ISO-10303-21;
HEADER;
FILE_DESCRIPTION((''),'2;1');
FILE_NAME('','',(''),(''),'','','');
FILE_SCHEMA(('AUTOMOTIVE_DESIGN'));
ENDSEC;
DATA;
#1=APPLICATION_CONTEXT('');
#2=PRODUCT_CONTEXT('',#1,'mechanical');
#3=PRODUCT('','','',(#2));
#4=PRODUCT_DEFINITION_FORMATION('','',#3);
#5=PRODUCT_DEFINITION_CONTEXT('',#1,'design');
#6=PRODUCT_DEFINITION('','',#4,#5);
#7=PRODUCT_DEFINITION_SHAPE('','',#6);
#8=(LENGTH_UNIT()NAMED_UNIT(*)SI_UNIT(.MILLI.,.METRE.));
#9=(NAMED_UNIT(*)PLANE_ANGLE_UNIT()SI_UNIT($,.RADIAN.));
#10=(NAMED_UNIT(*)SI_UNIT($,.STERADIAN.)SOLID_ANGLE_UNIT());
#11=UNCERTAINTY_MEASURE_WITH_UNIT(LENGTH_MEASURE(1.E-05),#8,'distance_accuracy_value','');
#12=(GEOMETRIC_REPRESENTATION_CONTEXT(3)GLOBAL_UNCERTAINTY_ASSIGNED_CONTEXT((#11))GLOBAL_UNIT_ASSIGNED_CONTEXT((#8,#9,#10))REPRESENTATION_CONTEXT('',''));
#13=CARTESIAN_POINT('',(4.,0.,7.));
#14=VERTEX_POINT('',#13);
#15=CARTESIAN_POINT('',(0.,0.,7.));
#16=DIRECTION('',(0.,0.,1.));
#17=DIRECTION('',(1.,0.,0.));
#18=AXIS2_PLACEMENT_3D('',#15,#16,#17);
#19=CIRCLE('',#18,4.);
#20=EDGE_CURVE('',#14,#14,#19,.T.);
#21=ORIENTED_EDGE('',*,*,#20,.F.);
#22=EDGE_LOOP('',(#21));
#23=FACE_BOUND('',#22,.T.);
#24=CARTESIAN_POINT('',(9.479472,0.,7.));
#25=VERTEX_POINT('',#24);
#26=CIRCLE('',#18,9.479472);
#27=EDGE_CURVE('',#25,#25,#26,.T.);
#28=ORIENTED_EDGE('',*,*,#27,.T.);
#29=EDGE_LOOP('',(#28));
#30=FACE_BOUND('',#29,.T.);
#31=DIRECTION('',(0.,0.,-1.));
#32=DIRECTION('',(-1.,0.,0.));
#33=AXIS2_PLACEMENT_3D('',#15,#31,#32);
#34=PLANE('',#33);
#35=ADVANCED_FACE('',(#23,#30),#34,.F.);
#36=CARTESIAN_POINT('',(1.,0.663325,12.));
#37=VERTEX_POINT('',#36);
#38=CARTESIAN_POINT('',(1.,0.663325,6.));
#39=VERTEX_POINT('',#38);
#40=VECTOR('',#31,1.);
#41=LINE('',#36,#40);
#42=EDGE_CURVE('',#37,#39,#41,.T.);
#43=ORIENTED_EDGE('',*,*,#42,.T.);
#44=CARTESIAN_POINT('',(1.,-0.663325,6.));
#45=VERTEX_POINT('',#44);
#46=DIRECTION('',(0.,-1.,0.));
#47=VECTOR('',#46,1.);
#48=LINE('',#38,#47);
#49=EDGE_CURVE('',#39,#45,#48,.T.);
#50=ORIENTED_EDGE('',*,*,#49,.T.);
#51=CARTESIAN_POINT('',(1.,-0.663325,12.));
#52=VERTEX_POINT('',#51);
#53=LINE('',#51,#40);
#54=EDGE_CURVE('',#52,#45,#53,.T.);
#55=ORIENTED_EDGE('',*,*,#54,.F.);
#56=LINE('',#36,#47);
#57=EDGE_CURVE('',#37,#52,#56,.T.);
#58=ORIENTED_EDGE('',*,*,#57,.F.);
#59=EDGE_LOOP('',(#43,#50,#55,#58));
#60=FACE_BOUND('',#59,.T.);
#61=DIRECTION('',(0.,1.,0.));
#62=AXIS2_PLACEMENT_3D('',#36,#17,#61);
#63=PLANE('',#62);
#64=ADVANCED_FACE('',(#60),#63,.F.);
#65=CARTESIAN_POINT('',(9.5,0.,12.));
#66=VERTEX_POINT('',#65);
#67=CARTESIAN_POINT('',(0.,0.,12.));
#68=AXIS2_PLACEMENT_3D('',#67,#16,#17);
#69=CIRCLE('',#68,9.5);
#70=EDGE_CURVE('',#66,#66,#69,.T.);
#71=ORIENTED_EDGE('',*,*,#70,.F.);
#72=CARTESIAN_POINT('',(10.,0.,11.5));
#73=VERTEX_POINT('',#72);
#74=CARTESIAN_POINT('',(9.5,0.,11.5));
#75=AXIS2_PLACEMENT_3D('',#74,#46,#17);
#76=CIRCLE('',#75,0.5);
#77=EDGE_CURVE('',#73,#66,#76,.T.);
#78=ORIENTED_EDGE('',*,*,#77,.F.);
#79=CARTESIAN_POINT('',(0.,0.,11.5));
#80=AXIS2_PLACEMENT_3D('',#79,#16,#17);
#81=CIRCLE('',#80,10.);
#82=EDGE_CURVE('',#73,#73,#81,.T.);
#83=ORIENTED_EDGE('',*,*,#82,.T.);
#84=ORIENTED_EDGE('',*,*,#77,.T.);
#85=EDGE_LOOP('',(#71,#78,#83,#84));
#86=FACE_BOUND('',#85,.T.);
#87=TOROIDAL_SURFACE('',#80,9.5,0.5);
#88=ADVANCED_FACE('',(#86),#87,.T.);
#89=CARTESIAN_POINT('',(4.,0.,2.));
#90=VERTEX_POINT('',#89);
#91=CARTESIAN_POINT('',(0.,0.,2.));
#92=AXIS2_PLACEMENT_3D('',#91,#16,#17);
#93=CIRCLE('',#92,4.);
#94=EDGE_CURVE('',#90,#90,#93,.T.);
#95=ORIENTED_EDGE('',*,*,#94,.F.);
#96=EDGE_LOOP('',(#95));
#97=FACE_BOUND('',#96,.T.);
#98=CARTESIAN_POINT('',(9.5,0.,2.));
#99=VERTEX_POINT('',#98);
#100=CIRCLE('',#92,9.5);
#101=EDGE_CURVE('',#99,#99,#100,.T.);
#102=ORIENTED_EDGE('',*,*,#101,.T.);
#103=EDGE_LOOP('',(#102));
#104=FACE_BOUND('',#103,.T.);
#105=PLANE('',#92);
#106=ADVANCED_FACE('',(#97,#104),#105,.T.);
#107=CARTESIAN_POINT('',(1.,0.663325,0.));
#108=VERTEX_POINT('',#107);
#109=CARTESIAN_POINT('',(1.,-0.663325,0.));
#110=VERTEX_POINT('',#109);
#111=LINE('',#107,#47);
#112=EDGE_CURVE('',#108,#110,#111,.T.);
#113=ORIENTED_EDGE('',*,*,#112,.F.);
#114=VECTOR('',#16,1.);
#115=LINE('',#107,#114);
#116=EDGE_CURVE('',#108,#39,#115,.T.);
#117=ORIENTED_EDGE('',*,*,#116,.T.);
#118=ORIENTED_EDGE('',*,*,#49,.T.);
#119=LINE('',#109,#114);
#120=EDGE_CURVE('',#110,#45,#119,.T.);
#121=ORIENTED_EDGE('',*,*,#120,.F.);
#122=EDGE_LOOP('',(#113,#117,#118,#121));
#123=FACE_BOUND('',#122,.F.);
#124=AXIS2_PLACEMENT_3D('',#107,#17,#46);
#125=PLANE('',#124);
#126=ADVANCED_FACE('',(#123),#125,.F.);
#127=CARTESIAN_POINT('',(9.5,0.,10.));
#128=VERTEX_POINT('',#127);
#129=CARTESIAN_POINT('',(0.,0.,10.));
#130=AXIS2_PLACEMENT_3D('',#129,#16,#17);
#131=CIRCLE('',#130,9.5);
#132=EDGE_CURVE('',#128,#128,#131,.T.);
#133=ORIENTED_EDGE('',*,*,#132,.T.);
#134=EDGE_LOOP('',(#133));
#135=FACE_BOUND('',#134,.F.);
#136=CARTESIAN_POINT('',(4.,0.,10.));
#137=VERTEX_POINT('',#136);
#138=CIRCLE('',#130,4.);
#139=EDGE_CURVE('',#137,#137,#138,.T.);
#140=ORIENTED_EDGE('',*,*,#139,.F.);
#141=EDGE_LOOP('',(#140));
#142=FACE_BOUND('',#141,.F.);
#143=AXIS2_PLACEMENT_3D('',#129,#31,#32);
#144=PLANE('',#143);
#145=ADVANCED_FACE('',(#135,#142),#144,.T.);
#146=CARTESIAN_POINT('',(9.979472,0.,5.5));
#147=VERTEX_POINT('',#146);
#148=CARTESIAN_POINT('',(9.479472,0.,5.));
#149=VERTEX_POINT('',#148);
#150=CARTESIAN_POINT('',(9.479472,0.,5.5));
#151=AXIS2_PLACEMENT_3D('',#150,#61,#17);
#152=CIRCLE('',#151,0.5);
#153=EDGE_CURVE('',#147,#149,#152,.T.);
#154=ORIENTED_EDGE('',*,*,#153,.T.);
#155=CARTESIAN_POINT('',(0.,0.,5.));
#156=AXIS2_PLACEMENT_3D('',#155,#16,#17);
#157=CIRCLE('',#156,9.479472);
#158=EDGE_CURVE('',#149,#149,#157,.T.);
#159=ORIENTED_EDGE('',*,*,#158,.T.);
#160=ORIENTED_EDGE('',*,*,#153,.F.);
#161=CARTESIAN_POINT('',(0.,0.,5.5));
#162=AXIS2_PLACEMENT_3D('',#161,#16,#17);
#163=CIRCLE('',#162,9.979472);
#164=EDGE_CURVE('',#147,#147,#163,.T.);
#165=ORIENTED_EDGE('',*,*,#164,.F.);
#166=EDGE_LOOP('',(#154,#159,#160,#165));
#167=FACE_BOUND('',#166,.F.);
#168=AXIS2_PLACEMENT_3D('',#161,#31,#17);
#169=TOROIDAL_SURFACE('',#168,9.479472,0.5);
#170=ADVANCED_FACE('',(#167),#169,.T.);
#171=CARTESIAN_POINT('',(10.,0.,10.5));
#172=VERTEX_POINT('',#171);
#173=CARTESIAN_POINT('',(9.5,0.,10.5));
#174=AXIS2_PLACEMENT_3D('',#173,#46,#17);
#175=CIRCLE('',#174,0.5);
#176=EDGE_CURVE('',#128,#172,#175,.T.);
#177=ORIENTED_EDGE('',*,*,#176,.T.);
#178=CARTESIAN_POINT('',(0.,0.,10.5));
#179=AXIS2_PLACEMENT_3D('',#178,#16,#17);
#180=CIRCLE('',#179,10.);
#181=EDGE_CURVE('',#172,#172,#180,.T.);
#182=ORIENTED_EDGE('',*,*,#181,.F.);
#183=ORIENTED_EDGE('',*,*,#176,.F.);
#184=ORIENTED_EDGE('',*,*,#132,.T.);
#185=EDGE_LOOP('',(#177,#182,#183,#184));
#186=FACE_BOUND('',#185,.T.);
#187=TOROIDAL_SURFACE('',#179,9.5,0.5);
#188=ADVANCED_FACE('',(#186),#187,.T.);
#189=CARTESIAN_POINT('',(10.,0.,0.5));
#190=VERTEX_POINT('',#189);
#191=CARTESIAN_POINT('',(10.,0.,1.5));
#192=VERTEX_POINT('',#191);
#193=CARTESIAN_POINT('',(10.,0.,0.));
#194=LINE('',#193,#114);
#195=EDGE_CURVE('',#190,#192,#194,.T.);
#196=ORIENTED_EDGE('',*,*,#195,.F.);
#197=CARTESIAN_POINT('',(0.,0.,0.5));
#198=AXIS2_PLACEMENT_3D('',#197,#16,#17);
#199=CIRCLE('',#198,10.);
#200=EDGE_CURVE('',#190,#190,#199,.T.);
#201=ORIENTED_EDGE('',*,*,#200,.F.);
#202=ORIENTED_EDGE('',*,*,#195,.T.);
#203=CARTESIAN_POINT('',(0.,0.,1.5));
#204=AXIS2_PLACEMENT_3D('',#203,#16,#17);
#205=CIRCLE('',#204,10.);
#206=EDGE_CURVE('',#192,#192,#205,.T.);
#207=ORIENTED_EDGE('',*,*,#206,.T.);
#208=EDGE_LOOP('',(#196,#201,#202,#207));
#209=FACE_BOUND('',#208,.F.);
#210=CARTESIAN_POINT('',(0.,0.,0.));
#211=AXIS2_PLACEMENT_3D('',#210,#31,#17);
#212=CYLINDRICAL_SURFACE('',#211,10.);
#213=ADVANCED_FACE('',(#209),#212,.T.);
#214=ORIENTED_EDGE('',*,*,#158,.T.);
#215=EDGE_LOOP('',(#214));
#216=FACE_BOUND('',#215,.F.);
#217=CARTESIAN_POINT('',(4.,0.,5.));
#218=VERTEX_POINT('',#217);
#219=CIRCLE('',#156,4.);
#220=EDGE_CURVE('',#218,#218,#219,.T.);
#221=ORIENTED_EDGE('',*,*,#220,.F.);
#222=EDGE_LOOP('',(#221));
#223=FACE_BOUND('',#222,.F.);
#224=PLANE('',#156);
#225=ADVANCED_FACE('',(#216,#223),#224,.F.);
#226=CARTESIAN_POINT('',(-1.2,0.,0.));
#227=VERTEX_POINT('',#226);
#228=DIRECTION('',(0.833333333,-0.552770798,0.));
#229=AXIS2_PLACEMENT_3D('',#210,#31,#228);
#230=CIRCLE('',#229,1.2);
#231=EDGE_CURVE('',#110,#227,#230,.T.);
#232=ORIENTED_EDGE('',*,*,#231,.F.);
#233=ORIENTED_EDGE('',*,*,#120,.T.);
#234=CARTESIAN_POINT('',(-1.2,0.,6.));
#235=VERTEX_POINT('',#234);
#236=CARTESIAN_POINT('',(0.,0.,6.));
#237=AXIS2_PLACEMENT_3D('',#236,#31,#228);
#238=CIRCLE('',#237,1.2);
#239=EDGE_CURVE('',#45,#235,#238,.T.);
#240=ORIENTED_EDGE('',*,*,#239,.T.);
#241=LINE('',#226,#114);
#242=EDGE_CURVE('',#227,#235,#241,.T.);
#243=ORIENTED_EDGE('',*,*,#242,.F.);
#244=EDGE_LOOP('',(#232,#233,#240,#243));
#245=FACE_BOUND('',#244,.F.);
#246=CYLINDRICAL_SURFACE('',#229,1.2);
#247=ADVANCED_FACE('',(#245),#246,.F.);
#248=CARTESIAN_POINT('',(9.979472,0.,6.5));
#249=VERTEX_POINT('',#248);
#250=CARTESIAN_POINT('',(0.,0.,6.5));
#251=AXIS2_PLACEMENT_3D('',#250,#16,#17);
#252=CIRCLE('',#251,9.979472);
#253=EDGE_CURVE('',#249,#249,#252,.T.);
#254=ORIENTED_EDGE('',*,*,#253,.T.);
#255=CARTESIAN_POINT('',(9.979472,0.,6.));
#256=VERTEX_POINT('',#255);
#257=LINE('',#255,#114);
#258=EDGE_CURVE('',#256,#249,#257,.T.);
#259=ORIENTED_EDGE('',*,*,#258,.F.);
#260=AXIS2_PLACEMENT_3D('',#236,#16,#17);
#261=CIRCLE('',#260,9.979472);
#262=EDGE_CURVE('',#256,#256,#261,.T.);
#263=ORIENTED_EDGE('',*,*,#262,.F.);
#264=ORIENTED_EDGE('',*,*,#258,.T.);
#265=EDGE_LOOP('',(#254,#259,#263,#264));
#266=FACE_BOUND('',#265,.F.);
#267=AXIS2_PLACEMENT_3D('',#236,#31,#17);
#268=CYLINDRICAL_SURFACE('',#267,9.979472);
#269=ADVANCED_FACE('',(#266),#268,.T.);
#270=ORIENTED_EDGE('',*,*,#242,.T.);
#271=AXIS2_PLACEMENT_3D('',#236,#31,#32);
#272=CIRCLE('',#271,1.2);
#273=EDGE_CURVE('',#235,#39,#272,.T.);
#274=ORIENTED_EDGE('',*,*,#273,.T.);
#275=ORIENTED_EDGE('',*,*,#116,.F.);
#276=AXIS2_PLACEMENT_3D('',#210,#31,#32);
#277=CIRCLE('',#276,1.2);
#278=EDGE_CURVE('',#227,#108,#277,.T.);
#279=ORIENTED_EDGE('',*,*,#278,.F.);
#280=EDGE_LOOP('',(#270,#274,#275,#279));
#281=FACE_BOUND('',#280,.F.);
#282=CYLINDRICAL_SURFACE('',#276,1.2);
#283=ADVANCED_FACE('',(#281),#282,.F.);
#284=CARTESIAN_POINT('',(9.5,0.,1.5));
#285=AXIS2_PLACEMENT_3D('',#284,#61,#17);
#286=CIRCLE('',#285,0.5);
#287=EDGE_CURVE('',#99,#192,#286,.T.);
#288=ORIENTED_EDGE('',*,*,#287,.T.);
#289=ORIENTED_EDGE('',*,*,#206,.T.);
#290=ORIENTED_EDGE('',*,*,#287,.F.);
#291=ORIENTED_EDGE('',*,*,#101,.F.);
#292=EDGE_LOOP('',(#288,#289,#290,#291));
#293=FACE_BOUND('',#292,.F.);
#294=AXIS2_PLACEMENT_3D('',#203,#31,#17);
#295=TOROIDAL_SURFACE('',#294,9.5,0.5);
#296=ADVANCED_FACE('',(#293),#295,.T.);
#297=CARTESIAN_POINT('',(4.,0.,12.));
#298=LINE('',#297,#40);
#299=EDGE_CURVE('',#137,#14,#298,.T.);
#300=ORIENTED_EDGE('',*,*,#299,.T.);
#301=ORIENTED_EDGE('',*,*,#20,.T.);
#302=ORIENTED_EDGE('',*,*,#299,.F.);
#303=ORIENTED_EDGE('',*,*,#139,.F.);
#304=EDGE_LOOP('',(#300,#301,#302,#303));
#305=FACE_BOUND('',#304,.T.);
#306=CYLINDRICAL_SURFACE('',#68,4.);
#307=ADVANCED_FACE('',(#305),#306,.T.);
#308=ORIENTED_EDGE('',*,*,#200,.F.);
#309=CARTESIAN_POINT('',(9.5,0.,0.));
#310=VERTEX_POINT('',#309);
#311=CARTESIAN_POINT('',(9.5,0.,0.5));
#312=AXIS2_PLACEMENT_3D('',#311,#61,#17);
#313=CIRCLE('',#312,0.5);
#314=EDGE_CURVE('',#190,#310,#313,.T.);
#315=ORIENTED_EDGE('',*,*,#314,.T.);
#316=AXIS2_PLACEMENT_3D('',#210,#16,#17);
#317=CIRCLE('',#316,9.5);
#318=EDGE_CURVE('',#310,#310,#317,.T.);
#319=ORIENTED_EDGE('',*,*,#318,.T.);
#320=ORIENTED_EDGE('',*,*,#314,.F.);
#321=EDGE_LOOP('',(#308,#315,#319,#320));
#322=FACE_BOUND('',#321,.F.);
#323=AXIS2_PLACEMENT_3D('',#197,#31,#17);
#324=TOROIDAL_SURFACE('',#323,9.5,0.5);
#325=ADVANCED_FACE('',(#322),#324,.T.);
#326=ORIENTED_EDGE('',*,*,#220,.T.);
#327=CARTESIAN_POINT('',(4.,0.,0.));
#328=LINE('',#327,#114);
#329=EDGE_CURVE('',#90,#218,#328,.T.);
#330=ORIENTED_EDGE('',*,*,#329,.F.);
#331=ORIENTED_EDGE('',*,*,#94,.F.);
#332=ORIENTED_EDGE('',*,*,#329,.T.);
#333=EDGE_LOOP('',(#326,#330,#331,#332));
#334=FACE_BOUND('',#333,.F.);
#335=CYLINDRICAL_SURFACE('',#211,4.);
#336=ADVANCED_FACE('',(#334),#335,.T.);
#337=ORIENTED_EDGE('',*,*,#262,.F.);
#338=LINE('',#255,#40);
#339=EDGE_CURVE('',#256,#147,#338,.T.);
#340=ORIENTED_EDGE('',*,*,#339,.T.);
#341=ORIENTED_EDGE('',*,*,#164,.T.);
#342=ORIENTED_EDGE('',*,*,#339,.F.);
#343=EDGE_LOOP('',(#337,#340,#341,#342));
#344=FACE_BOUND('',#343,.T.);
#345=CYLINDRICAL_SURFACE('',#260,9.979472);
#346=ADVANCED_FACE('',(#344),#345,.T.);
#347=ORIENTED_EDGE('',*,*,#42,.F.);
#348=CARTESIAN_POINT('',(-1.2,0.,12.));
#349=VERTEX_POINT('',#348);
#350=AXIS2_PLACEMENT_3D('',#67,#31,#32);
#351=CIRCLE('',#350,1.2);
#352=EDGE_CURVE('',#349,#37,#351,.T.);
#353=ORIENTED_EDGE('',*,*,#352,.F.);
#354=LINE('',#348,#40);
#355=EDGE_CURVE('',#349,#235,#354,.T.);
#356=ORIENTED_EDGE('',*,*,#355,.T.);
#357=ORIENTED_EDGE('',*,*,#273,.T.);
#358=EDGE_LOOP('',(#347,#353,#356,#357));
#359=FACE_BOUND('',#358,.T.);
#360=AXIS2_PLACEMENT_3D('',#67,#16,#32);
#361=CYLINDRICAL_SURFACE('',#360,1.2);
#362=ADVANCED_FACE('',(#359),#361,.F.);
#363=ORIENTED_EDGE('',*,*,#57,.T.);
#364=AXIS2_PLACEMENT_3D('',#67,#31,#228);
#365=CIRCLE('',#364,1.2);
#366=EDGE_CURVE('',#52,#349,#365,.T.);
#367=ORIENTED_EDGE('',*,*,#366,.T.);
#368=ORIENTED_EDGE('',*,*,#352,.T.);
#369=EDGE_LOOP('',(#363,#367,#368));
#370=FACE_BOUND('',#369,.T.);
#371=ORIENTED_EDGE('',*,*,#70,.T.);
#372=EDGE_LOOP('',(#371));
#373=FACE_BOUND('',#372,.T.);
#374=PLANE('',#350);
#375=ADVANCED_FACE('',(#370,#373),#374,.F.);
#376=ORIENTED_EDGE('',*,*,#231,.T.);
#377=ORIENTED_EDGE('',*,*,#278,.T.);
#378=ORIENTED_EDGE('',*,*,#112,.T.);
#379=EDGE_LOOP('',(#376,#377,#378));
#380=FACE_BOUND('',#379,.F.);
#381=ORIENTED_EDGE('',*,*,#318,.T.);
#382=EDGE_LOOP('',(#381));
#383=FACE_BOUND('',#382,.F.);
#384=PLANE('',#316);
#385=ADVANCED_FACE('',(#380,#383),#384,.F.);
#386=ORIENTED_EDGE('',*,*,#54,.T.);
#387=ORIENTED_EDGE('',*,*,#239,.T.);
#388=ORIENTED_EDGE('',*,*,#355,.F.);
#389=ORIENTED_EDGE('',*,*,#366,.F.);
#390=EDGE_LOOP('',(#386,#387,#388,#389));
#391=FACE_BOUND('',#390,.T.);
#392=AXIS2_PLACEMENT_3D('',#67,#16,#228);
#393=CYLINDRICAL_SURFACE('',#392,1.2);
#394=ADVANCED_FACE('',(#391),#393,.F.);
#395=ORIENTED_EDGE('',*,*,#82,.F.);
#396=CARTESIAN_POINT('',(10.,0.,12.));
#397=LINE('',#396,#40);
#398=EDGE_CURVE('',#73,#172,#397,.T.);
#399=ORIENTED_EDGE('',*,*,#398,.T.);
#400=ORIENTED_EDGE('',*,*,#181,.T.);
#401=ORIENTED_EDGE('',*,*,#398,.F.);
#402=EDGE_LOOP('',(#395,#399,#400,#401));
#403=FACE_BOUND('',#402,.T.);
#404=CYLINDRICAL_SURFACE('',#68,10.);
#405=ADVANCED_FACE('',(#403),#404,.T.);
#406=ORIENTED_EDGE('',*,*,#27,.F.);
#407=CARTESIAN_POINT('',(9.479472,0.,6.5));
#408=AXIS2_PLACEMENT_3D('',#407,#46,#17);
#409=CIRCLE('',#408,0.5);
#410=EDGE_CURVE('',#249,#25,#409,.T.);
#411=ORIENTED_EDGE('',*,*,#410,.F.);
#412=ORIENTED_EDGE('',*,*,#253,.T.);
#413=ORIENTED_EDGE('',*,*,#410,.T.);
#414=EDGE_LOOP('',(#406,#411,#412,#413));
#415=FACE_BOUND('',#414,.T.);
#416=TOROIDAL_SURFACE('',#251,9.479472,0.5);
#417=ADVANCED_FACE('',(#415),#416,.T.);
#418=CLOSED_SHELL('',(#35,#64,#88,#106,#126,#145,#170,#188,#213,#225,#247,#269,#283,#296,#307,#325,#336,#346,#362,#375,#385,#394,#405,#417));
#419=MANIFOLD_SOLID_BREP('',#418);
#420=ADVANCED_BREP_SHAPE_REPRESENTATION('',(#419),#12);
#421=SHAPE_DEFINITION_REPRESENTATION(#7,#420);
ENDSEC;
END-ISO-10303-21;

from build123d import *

# Parameters (mm, degrees)
F0_R     = 10
F0_R_2   = 4
F1_DEPTH = 2
F2_DEPTH = 6
F3_R     = 9.9794719686
F3_R_2   = 4
F4_DEPTH = 1
F7_R     = 0.5


with BuildPart() as f1:
    # F0 (on Top) → F1 (new body)
    with BuildSketch(Plane.XY):
        Circle(F0_R)
        Circle(F0_R_2, mode=Mode.SUBTRACT)
    extrude(amount=F1_DEPTH)

    # F0 (on Top) → F2 (join)
    with BuildSketch(Plane.XY):
        Circle(F0_R_2)
        with BuildLine():
            ThreePointArc((1, 0.6633249581), (1.1489125293, 0.3464101615), (1.2, 0))
            ThreePointArc((1.2, 0), (1.1489125293, -0.3464101615), (1, -0.6633249581))
            ThreePointArc((1, -0.6633249581), (-0.3464101615, -1.1489125293), (-1.2, 0))
            ThreePointArc((-1.2, 0), (-0.3464101615, 1.1489125293), (1, 0.6633249581))
        make_face(mode=Mode.SUBTRACT)
        with BuildLine():
            ThreePointArc((1, -0.6633249581), (1.1489125293, -0.3464101615), (1.2, 0))
            ThreePointArc((1.2, 0), (1.1489125293, 0.3464101615), (1, 0.6633249581))
            Line((1, 0.6633249581), (1, 0))
            Line((1, 0), (1, -0.6633249581))
        make_face()
    extrude(amount=F2_DEPTH)

    # F3 (on face) → F4 (join)
    with BuildSketch(Plane.XY.offset(6)):
        Circle(F3_R)
        Circle(F3_R_2, mode=Mode.SUBTRACT)
    extrude(amount=-F4_DEPTH)

    # F6: F1 across plane


with BuildPart() as f1_1:
    add(f1.part)
    add(f1.part.mirror(Plane.XY.offset(6)))

    # F7
    f7_edges = [f1_1.edges().sort_by_distance(p)[0] for p in [
        (-9.979472, 0, 7),
        (-9.979472, 0, 5),
        (-10, 0, 10),
        (-10, 0, 2),
        (-10, 0, 12),
        (-10, 0, 0),
    ]]
    fillet(f7_edges, radius=F7_R)


solid = f1_1.part
